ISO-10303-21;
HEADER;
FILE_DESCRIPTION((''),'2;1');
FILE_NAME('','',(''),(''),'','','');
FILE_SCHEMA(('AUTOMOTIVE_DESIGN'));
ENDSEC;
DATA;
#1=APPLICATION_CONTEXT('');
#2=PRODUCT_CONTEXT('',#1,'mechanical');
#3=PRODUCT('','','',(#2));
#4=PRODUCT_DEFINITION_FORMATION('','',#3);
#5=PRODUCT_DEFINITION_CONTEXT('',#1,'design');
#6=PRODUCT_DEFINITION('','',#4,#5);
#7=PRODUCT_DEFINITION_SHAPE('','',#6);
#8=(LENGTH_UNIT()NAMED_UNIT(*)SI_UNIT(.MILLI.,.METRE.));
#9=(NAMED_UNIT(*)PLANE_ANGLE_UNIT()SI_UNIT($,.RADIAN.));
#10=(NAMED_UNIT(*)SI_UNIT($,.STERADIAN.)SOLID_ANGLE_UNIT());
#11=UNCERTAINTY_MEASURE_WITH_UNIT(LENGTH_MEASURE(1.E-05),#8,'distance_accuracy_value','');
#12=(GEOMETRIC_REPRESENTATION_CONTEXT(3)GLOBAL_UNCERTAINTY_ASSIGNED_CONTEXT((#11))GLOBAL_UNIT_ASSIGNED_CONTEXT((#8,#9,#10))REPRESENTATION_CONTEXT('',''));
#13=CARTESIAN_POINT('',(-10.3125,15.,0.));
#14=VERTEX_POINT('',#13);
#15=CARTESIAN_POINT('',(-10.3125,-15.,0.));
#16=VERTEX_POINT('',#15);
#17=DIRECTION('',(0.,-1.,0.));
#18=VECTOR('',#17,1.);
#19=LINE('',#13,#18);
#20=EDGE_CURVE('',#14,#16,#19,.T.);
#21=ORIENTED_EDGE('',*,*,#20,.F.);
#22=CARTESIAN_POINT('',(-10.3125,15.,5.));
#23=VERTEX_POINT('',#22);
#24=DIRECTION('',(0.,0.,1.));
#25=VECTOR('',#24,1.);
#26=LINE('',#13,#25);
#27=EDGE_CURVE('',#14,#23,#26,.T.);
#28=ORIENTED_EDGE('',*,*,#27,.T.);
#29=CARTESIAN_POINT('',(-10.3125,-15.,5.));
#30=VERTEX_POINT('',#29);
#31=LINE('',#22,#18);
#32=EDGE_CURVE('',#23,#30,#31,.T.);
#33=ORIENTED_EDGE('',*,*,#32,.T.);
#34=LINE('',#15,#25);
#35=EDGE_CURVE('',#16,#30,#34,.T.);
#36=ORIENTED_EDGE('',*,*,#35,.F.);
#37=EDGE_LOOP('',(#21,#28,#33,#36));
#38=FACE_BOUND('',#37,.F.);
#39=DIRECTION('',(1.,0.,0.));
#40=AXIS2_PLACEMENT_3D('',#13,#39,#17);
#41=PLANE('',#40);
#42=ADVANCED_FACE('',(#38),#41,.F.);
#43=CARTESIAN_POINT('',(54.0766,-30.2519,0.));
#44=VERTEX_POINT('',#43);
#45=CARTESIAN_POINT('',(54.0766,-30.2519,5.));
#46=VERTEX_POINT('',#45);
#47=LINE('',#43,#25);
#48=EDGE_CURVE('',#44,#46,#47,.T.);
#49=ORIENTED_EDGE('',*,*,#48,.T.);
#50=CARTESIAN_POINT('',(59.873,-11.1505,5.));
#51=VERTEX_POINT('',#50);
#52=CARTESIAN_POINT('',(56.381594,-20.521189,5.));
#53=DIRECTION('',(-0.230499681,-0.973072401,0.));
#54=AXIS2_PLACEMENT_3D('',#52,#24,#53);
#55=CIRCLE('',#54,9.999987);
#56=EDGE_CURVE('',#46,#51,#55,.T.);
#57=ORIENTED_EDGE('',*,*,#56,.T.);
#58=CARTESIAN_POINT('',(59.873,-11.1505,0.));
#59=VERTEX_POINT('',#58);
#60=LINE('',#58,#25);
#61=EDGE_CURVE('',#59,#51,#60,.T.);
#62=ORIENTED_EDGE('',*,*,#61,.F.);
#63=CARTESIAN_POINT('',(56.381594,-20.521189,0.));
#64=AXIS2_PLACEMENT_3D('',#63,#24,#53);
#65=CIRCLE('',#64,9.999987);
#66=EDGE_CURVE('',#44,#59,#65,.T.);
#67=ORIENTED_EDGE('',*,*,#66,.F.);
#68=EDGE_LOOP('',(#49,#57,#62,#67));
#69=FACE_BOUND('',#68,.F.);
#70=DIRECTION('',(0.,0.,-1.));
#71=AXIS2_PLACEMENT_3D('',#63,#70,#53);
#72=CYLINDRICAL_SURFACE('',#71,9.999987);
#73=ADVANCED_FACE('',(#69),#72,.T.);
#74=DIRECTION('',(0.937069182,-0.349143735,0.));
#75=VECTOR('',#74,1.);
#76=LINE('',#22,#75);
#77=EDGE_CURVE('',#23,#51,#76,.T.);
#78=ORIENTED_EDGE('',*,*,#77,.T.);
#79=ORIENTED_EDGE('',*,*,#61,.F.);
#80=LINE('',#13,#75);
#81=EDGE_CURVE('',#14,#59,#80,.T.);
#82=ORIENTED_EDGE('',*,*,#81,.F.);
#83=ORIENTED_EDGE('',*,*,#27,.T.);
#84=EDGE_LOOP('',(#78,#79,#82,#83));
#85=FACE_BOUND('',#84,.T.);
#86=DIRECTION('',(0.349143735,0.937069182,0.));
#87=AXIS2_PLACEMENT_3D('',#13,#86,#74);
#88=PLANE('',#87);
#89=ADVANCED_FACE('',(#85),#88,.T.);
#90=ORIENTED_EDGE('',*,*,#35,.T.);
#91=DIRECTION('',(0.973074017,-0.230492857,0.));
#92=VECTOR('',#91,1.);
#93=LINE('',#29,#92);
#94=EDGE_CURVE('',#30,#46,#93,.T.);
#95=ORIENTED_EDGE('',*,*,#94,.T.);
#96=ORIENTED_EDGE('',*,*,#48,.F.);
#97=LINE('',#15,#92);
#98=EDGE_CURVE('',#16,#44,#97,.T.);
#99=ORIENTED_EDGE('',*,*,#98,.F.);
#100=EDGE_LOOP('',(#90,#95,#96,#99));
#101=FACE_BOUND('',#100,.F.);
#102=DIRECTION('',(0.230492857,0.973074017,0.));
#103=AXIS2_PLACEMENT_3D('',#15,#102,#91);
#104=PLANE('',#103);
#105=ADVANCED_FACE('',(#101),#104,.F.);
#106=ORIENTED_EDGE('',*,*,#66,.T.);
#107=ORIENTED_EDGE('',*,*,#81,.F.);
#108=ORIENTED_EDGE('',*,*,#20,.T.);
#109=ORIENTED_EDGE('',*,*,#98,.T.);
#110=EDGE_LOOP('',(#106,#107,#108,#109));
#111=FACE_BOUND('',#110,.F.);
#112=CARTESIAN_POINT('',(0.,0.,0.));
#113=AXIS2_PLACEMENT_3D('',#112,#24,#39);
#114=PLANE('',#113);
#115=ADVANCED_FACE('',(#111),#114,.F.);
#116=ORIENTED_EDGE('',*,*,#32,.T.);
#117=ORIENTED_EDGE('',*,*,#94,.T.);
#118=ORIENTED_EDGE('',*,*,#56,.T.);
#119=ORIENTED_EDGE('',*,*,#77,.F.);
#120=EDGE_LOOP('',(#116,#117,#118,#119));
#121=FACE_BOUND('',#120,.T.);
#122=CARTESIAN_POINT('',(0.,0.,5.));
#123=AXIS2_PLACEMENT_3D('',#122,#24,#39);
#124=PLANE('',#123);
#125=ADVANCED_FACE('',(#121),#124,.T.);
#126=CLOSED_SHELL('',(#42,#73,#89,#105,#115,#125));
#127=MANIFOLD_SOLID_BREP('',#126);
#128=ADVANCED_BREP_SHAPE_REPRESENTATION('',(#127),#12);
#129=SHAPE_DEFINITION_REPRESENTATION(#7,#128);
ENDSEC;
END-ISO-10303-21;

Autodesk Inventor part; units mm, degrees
ref_plane "YZ Plane" through (0, 0, 0) normal (1, 0, 0) x (0, 1, 0)
ref_plane "XZ Plane" through (0, 0, 0) normal (0, 1, 0) x (-1, 0, 0)
ref_plane "XY Plane" through (0, 0, 0) normal (0, 0, 1) x (1, 0, 0)
sketch "スケッチ1" plane through (0, 0, 0) normal (0, 0, 1) x (1, 0, 0)
  line L0 (-10.3125, 15) -> (-10.3125, -15)
  line L1 (-10.3125, -15) -> (0, -9.5)
  line L2 (0, -9.5) -> (0, 9.5)
  line L3 (0, 9.5) -> (-10.3125, 15)
  circle A0 centre (-2.5, 8) radius 1.55
  circle A1 centre (-2.5, -8) radius 1.55
  circle A2 centre (-2.5, 8) radius 2.5 construction
  circle A3 centre (-2.5, -8) radius 2.5 construction
  line L4 (-2.5, 8) -> (-2.5, -8) construction
  line L5 (-10.3125, 15) -> (59.873, -11.1505)
  line L6 (-10.3125, -15) -> (54.0766, -30.2519)
  arc A4 (54.0766, -30.2519) -> (59.873, -11.1505) centre (56.3816, -20.5212) ccw
  line L7 (56.3816, -20.5212) -> (0, 0) construction
  point P0 (-2.5, 0)
  dimension "d5" = 19
  dimension "d8" = 30
  dimension "d10" = 5
  dimension "d20" = 16
  dimension "d33" = 3.1
  dimension "d35" = 10
  dimension "d41" = 70
  dimension "d43" = 60
extrude "押し出し1" add sketch "スケッチ1" along normal blind 5
sketch "スケッチ5" plane through (0, 0, 5) normal (0, 0, 1) x (1, 0, 0)
  circle A0 centre (-2.5, 8) radius 1.55 projected
  circle A1 centre (-2.5, 8) radius 1.55
  circle A2 centre (-2.5, -8) radius 1.55 projected
  circle A3 centre (-2.5, -8) radius 1.55
  point P0 (0, 0)
extrude "押し出し5" add sketch "スケッチ5" against normal up to surface (5 mm away)
equation "\"d5\" = d187"
equation "\"d8\" = d98"
equation "\"d10\" = d185"
equation "\"d20\" = d186"
equation "\"d185\" = 5"
equation "\"d187\" = 19"
equation "\"d98\" = 30"
equation "\"d186\" = 16"
properties part number "胴体_サブフレーム_1_6" material "アセタール樹脂、黒"
